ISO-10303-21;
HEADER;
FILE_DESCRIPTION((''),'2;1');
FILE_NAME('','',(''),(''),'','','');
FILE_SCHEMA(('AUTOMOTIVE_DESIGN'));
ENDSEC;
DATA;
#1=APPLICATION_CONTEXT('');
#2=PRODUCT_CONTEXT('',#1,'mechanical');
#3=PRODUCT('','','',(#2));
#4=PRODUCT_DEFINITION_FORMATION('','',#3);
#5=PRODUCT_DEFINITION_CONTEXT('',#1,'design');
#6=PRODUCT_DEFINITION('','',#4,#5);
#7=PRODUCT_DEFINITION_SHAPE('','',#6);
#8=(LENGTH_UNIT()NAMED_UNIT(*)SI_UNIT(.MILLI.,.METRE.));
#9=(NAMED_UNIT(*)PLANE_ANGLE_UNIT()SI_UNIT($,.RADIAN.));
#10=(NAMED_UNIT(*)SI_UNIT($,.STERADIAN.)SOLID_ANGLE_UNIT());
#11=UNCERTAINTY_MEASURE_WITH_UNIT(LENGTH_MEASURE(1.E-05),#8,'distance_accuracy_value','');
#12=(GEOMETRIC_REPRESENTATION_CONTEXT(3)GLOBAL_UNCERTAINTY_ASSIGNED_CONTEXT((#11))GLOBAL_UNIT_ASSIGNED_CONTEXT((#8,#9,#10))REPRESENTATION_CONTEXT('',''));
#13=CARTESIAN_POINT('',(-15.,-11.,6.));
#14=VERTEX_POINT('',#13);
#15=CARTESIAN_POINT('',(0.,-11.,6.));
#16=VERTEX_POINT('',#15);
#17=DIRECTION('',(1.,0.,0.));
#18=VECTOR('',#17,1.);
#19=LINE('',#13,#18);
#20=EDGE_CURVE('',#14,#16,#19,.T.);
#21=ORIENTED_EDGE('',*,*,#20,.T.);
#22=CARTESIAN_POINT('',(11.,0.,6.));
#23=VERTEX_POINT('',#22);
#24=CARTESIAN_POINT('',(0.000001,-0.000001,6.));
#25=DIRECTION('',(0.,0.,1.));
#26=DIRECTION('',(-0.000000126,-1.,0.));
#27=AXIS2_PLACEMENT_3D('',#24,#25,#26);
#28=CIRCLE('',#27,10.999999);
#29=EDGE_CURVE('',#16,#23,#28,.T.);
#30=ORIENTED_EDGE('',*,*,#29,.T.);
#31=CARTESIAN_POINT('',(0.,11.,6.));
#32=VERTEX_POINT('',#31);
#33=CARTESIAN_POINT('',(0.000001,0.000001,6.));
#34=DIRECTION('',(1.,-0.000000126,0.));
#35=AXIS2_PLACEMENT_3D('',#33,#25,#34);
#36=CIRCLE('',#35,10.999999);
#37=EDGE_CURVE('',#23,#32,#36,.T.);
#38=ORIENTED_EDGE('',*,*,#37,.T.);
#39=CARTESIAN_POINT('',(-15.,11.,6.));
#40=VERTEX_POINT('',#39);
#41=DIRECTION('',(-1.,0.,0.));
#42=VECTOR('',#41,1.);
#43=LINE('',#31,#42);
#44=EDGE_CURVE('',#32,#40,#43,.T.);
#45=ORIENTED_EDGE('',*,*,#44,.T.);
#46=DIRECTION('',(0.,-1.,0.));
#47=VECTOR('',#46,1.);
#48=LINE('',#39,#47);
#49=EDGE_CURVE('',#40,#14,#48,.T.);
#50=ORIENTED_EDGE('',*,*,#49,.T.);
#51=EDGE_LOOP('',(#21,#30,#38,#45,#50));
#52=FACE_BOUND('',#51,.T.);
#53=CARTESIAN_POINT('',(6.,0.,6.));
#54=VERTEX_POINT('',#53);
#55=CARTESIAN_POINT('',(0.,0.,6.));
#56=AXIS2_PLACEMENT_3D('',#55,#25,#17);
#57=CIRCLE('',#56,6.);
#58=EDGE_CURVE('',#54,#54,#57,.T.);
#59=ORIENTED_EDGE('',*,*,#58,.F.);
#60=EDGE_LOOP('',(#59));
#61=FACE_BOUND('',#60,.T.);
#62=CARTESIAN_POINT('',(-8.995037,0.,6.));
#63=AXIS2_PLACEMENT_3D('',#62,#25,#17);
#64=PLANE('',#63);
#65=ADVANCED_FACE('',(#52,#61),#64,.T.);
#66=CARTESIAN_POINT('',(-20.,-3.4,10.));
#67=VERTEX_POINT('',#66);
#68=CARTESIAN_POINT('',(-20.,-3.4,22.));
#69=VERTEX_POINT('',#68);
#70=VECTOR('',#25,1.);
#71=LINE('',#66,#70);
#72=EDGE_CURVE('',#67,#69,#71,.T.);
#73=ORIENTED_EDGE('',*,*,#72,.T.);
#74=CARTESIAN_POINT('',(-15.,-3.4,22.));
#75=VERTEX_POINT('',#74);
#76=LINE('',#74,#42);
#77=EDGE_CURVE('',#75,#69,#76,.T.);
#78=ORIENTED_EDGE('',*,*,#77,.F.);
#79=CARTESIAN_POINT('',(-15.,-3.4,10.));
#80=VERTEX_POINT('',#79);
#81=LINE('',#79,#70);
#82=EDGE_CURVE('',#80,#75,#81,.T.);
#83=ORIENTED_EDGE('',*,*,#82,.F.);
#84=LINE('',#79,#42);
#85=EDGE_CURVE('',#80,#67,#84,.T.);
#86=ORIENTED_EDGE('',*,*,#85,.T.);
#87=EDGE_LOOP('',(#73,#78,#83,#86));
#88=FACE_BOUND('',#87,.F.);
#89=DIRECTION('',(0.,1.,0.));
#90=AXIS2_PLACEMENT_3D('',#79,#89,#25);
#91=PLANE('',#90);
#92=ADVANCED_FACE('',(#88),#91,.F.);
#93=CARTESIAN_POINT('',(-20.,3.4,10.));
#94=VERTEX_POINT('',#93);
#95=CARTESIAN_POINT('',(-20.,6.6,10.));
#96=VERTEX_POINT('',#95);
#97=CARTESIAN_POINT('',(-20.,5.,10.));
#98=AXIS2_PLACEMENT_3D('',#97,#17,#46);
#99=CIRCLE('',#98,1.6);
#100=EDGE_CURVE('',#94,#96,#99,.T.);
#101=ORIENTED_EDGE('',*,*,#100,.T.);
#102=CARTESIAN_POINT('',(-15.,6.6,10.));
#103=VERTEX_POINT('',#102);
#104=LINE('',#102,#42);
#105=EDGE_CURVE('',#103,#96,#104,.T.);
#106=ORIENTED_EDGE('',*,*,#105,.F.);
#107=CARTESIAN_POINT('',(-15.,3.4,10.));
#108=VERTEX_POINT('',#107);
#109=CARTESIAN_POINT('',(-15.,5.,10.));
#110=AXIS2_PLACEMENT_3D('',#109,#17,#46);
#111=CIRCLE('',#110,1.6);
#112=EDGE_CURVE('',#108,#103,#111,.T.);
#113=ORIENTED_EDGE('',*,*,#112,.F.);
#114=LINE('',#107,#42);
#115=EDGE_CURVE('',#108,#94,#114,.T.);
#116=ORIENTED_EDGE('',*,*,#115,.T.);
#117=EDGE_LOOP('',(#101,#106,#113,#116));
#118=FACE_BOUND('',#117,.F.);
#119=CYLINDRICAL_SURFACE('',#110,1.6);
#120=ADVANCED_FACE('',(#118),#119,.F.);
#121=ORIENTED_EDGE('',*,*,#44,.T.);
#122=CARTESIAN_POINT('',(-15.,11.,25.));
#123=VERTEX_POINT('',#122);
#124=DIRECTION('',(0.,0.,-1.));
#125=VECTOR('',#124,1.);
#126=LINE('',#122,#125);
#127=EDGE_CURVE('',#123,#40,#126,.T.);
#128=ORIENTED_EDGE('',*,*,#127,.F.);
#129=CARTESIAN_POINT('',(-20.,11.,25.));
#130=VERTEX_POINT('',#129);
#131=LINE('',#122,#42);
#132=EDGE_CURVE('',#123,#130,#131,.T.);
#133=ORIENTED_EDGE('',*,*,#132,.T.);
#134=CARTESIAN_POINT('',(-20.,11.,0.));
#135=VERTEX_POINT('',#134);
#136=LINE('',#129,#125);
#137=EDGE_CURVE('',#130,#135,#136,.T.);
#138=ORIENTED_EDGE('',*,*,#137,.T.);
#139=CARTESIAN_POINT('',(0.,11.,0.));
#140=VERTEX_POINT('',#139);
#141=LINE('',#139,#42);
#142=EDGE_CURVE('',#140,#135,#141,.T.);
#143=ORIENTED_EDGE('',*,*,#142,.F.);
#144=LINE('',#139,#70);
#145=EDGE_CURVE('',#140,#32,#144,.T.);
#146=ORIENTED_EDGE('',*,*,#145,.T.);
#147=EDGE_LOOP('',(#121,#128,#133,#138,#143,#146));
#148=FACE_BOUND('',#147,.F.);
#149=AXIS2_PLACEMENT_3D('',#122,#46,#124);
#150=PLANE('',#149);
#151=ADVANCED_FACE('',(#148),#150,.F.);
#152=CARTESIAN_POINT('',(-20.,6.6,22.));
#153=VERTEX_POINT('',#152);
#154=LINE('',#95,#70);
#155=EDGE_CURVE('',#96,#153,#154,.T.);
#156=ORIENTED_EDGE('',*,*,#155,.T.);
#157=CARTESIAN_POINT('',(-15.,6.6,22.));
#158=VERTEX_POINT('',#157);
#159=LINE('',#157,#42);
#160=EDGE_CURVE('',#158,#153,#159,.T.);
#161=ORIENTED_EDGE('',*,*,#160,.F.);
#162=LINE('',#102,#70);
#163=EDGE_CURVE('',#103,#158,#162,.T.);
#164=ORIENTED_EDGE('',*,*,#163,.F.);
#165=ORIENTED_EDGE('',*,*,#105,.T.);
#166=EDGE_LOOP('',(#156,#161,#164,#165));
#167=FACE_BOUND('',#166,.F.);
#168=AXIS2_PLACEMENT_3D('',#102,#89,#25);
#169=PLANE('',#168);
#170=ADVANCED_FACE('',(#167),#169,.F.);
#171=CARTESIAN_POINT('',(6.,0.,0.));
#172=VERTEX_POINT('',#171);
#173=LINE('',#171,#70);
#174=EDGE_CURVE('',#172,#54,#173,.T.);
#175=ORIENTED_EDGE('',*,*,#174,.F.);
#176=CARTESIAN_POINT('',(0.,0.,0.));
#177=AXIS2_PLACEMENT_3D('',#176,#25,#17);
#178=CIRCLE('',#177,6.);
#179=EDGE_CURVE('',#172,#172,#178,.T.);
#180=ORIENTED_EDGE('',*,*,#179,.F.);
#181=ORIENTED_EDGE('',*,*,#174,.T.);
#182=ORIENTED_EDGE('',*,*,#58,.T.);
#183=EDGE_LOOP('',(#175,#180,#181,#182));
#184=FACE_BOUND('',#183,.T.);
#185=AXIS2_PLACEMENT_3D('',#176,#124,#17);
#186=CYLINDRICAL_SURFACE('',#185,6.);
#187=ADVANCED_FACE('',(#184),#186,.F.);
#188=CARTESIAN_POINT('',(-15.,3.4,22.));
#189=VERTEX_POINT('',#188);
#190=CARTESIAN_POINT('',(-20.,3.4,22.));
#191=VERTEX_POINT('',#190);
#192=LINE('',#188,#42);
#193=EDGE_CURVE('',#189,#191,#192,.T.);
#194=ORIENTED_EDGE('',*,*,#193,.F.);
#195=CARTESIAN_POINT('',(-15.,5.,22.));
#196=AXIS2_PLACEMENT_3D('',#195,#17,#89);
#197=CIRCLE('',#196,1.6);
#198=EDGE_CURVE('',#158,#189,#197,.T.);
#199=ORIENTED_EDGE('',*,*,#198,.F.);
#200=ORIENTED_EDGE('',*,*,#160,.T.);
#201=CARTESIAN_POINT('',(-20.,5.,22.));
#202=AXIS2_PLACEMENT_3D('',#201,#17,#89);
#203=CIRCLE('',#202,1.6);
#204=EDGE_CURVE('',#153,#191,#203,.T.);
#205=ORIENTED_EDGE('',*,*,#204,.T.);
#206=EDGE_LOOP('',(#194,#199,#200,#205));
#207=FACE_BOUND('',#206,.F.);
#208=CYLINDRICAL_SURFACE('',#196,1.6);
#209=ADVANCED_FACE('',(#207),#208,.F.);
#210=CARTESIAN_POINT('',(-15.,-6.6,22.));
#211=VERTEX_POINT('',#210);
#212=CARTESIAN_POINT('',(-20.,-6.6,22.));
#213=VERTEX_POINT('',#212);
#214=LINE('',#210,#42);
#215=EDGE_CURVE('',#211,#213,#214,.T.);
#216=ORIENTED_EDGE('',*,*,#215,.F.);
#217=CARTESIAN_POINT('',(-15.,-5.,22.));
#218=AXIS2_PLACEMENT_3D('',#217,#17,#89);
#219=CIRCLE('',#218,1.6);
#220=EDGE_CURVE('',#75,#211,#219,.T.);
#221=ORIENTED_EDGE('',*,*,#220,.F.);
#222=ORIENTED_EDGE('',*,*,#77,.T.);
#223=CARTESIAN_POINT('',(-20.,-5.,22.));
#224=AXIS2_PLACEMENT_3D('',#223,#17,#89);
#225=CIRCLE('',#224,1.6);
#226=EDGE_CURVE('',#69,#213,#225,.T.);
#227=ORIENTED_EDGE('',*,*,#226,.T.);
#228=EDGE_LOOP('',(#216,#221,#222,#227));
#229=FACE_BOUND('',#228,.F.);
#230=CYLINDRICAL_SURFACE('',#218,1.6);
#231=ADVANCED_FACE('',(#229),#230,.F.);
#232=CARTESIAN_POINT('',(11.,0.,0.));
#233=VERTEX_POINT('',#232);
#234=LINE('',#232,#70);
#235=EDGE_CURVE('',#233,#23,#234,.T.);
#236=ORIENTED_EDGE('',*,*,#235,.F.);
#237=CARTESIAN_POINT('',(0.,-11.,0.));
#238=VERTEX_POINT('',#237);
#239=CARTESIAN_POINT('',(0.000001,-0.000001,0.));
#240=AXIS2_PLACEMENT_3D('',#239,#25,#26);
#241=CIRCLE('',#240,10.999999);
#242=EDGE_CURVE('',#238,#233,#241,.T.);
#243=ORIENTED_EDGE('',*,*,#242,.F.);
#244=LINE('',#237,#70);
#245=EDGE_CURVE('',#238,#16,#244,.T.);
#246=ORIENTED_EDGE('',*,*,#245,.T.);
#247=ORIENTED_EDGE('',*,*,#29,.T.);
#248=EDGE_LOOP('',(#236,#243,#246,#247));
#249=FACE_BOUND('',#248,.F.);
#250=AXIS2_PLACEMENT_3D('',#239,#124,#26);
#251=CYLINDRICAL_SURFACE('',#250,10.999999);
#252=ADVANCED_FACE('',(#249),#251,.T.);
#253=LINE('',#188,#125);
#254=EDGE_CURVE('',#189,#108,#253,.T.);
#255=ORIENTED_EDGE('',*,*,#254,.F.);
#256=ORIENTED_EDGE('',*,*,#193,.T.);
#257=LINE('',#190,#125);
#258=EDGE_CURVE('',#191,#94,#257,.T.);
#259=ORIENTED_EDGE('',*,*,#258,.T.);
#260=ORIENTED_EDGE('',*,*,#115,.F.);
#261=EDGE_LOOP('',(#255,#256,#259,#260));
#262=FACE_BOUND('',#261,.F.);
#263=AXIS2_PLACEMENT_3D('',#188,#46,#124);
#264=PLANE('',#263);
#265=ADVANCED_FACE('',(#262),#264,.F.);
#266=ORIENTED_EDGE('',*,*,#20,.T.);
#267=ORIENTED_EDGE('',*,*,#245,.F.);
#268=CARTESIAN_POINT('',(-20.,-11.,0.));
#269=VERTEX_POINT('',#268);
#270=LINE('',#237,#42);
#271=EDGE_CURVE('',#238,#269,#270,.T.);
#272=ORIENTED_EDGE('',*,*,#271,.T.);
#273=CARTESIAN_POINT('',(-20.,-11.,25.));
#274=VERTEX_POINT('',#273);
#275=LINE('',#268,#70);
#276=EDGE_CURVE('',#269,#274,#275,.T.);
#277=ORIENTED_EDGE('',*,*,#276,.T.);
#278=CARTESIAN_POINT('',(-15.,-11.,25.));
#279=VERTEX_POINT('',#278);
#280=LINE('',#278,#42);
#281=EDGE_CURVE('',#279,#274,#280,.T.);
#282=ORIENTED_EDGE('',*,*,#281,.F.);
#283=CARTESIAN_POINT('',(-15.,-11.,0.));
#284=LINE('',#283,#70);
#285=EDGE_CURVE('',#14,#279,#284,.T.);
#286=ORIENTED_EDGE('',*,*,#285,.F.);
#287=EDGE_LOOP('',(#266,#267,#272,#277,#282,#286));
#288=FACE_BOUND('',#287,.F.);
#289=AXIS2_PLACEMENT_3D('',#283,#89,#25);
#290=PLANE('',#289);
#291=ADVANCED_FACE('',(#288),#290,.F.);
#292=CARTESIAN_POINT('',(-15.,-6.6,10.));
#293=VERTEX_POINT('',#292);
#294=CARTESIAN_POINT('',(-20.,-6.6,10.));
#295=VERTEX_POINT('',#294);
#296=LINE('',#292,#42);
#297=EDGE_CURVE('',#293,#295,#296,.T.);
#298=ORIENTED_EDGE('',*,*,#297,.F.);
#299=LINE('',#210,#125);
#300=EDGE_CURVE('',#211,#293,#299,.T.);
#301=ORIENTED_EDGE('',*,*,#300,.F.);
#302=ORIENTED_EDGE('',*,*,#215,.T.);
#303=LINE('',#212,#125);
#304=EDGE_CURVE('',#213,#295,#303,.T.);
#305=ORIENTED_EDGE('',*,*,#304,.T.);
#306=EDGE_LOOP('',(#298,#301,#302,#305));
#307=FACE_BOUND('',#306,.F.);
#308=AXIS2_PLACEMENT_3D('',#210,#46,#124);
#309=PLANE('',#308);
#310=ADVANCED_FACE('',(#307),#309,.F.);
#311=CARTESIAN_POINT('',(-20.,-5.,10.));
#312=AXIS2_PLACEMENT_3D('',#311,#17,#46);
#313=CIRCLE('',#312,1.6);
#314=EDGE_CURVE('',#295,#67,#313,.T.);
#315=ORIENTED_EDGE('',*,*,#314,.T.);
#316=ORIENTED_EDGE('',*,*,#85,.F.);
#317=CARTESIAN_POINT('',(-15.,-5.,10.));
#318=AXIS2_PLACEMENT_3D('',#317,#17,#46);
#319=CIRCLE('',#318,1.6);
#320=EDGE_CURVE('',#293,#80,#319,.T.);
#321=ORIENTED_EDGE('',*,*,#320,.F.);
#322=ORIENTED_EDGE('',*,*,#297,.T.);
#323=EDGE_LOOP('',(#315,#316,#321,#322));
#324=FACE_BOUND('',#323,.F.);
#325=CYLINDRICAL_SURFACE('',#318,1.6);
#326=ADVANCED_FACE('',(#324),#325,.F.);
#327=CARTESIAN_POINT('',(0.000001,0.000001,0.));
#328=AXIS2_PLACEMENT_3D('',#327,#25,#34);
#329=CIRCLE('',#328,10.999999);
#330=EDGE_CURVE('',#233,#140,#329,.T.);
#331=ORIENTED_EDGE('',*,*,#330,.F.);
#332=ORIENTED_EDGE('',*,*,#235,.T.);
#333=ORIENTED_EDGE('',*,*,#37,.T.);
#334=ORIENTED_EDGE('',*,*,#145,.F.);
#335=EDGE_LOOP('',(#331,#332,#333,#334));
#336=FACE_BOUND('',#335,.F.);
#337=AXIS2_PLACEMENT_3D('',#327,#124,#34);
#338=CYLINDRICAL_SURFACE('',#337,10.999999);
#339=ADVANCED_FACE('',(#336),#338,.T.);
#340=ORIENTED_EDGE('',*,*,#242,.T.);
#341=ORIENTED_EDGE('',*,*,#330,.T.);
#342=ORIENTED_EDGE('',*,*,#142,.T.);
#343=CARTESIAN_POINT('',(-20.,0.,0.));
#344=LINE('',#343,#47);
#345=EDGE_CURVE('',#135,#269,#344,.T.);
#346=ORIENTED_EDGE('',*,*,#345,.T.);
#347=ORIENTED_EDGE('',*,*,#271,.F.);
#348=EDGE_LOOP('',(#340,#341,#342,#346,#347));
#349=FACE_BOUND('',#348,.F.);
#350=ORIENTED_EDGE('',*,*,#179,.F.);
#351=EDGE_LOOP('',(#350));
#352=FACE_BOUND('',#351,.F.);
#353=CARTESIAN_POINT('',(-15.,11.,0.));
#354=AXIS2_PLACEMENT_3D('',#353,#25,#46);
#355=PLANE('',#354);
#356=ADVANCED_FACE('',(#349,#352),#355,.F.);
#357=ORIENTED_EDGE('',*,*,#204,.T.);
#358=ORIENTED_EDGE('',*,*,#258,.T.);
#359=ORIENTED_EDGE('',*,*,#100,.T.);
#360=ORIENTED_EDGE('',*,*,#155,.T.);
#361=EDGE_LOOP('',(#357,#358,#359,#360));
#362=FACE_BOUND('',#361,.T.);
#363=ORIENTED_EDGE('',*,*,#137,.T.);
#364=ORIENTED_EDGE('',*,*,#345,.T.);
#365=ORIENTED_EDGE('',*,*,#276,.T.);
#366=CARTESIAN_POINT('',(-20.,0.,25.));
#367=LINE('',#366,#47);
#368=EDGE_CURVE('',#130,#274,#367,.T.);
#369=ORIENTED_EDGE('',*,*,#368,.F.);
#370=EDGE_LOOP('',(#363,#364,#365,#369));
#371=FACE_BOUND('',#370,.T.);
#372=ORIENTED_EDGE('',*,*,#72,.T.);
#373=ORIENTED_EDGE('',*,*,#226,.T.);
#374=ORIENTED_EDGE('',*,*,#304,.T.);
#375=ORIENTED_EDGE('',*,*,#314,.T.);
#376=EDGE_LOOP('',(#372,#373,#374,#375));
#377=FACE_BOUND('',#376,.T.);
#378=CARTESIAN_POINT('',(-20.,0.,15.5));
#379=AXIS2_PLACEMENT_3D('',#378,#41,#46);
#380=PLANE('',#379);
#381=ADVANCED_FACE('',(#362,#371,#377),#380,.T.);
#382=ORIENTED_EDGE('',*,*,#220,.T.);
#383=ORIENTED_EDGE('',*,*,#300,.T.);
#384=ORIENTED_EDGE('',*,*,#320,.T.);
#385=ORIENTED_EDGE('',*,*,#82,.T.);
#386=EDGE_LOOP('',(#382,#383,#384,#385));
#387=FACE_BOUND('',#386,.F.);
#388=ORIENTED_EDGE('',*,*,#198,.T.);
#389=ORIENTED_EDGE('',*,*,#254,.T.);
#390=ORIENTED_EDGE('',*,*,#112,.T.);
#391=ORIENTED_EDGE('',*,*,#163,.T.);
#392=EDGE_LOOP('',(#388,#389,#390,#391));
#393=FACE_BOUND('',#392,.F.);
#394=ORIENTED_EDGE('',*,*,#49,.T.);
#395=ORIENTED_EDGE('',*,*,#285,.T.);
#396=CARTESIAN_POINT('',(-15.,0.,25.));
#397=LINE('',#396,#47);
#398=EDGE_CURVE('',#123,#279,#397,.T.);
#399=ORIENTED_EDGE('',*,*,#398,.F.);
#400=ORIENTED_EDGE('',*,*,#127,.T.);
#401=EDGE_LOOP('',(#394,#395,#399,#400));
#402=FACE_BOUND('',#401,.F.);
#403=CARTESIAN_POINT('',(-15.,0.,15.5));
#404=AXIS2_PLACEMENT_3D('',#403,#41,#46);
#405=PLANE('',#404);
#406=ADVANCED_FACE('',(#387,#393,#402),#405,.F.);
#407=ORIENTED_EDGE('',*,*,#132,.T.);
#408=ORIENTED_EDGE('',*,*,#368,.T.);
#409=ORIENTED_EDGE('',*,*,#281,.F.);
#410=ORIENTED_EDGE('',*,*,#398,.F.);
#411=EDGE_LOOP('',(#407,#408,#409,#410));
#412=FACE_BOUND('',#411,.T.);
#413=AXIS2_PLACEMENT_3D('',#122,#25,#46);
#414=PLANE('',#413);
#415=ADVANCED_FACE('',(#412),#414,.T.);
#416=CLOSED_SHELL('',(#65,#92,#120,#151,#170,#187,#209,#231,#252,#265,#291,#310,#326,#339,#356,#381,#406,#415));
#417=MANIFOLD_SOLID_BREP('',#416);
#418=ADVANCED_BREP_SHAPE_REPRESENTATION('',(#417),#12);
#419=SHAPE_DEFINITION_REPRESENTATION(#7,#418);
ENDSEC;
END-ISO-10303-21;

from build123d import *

# Parameters (mm, degrees)
F0_R     = 6
F1_DEPTH = 6
F2_W     = 22
F2_H     = 19
F2_H_2   = 6
F3_DEPTH = 5


with BuildPart() as f1:
    # F0 (on Top) → F1 (new body)
    with BuildSketch(Plane.XY):
        with BuildLine():
            ThreePointArc((0, -11), (-11, 0), (0, 11))
            Line((0, 11), (-15, 11))
            Line((-15, 11), (-15, -11))
            Line((-15, -11), (0, -11))
        make_face()
        with BuildLine():
            ThreePointArc((0, -11), (7.778175, -7.778175), (11, 0))
            ThreePointArc((11, 0), (7.778175, 7.778175), (0, 11))
            ThreePointArc((0, 11), (-11, 0), (0, -11))
        make_face()
        Circle(F0_R, mode=Mode.SUBTRACT)
    extrude(amount=F1_DEPTH)

    # F2 (on face) → F3 (join)
    with BuildSketch(Plane(origin=(-15, 0, 0), x_dir=(0, -1, 0), z_dir=(-1, 0, 0))):
        with Locations((0, 15.5)):
            Rectangle(F2_W, F2_H)
        with BuildLine():
            Line((-3.4, 22), (-3.4, 10))
            ThreePointArc((-3.4, 10), (-5, 8.4), (-6.6, 10))
            Line((-6.6, 10), (-6.6, 22))
            ThreePointArc((-6.6, 22), (-5, 23.6), (-3.4, 22))
        make_face(mode=Mode.SUBTRACT)
        with BuildLine():
            Line((6.6, 22), (6.6, 10))
            ThreePointArc((6.6, 10), (5, 8.4), (3.4, 10))
            Line((3.4, 10), (3.4, 22))
            ThreePointArc((3.4, 22), (5, 23.6), (6.6, 22))
        make_face(mode=Mode.SUBTRACT)
        with Locations((0, 3)):
            Rectangle(F2_W, F2_H_2)
    extrude(amount=F3_DEPTH)


solid = f1.part
